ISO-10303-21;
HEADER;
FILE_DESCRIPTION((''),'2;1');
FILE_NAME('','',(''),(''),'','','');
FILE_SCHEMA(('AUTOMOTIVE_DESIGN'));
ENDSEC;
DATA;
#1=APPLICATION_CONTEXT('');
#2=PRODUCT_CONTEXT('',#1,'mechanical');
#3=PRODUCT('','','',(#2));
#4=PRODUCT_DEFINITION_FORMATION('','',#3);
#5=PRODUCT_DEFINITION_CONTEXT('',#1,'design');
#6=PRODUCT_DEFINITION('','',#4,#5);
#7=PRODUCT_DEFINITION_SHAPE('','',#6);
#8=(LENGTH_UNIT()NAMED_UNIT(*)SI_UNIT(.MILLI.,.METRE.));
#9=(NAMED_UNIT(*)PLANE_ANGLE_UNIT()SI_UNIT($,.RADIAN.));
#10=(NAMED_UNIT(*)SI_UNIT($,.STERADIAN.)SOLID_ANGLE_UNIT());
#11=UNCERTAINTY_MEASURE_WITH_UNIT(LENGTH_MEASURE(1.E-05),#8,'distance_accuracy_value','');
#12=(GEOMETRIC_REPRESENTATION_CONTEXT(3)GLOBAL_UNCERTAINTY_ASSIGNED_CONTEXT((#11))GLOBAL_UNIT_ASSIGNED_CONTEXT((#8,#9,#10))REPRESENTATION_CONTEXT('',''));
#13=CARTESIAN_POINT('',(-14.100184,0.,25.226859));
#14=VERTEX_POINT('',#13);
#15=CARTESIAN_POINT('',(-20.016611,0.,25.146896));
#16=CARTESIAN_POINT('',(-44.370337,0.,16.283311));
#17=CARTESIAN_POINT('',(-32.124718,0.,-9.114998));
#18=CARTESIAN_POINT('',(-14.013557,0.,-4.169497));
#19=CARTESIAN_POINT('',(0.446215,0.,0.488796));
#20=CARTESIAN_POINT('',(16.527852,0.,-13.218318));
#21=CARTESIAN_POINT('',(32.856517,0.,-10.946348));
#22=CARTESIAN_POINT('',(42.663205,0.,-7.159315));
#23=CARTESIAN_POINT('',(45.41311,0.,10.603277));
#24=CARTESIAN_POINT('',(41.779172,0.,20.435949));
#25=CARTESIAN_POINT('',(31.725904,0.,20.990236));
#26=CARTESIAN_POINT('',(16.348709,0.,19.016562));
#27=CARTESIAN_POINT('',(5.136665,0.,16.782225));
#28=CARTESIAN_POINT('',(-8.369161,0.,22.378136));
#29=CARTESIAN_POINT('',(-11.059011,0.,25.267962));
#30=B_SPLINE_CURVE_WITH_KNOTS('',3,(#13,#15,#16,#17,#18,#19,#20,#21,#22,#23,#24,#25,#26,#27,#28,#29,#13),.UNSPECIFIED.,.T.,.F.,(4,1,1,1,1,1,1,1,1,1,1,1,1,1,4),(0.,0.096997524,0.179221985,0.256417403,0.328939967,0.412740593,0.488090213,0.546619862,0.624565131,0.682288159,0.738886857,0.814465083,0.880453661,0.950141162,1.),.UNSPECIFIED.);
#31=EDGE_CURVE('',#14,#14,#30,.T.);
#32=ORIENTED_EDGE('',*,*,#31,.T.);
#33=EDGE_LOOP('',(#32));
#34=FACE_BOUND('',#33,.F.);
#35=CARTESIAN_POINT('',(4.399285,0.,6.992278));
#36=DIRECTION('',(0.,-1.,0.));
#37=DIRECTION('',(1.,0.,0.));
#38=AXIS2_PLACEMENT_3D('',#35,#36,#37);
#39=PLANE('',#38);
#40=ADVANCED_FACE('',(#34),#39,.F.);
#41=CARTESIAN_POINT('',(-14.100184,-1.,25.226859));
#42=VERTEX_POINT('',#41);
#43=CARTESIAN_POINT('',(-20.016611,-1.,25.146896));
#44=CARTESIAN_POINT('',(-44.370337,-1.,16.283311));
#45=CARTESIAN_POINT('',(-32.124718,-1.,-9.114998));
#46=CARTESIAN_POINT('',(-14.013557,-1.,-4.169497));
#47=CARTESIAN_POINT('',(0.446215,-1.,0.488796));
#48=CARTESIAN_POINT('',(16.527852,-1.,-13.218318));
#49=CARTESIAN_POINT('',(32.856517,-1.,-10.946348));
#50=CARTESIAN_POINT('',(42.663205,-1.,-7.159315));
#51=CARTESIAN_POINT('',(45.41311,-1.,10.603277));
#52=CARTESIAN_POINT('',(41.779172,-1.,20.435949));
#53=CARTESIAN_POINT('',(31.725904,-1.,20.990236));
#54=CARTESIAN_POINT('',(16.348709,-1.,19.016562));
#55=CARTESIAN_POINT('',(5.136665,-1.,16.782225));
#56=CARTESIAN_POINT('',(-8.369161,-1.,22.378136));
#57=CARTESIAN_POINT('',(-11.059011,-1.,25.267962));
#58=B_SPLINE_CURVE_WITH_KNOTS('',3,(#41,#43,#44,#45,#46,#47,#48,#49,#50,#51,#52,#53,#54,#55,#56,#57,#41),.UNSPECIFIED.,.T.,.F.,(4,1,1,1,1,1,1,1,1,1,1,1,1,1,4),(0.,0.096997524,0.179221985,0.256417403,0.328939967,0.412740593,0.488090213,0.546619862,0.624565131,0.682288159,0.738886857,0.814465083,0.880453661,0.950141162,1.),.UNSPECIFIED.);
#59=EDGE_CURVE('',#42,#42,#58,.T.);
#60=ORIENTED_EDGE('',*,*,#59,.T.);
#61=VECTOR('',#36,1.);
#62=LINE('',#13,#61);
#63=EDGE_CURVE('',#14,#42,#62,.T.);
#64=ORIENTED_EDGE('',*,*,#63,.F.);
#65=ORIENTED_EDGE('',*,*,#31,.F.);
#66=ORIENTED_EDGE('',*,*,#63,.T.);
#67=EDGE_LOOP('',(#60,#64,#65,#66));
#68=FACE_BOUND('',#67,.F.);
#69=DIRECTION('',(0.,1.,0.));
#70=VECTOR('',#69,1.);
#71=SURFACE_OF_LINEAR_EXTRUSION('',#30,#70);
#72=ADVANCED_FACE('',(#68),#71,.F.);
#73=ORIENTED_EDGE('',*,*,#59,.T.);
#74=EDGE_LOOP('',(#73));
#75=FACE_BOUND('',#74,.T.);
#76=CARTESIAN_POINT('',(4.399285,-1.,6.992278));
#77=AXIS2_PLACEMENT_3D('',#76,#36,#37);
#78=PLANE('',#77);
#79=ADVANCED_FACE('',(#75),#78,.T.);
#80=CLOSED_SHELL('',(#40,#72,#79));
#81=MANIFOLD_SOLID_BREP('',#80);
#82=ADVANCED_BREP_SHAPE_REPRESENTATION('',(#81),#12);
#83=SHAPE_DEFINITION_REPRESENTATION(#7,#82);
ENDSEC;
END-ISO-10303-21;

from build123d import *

# Parameters (mm, degrees)
F1_DEPTH = 1


with BuildPart() as f1:
    # F0 (on Front) → F1 (new body)
    with BuildSketch(Plane.XZ):
        with BuildLine():
            add(Edge.make_bspline(
                [(-14.1001837328, 25.2268593758), (-20.0166113007, 25.1468959799), (-44.3703373156, 16.2833106674), (-32.124717693, -9.1149984229), (-14.0135574143, -4.169496792), (0.446214521, 0.4887959299), (16.5278517391, -13.2183178852), (32.8565168268, -10.9463478818), (42.6632049964, -7.1593149924), (45.4131095114, 10.6032774251), (41.7791723529, 20.4359487571), (31.7259043854, 20.990235563), (16.3487089691, 19.0165621474), (5.1366649018, 16.782224546), (-8.3691608542, 22.3781360741), (-11.0590112271, 25.2679623013), (-14.1001837328, 25.2268593758)],
                knots=[0, 0, 0, 0, 0.0969975236, 0.1792219852, 0.2564174028, 0.3289399675, 0.4127405933, 0.4880902129, 0.5466198617, 0.6245651306, 0.6822881592, 0.738886857, 0.8144650834, 0.8804536614, 0.9501411623, 1, 1, 1, 1], degree=3))
        make_face()
    extrude(amount=F1_DEPTH)


solid = f1.part
